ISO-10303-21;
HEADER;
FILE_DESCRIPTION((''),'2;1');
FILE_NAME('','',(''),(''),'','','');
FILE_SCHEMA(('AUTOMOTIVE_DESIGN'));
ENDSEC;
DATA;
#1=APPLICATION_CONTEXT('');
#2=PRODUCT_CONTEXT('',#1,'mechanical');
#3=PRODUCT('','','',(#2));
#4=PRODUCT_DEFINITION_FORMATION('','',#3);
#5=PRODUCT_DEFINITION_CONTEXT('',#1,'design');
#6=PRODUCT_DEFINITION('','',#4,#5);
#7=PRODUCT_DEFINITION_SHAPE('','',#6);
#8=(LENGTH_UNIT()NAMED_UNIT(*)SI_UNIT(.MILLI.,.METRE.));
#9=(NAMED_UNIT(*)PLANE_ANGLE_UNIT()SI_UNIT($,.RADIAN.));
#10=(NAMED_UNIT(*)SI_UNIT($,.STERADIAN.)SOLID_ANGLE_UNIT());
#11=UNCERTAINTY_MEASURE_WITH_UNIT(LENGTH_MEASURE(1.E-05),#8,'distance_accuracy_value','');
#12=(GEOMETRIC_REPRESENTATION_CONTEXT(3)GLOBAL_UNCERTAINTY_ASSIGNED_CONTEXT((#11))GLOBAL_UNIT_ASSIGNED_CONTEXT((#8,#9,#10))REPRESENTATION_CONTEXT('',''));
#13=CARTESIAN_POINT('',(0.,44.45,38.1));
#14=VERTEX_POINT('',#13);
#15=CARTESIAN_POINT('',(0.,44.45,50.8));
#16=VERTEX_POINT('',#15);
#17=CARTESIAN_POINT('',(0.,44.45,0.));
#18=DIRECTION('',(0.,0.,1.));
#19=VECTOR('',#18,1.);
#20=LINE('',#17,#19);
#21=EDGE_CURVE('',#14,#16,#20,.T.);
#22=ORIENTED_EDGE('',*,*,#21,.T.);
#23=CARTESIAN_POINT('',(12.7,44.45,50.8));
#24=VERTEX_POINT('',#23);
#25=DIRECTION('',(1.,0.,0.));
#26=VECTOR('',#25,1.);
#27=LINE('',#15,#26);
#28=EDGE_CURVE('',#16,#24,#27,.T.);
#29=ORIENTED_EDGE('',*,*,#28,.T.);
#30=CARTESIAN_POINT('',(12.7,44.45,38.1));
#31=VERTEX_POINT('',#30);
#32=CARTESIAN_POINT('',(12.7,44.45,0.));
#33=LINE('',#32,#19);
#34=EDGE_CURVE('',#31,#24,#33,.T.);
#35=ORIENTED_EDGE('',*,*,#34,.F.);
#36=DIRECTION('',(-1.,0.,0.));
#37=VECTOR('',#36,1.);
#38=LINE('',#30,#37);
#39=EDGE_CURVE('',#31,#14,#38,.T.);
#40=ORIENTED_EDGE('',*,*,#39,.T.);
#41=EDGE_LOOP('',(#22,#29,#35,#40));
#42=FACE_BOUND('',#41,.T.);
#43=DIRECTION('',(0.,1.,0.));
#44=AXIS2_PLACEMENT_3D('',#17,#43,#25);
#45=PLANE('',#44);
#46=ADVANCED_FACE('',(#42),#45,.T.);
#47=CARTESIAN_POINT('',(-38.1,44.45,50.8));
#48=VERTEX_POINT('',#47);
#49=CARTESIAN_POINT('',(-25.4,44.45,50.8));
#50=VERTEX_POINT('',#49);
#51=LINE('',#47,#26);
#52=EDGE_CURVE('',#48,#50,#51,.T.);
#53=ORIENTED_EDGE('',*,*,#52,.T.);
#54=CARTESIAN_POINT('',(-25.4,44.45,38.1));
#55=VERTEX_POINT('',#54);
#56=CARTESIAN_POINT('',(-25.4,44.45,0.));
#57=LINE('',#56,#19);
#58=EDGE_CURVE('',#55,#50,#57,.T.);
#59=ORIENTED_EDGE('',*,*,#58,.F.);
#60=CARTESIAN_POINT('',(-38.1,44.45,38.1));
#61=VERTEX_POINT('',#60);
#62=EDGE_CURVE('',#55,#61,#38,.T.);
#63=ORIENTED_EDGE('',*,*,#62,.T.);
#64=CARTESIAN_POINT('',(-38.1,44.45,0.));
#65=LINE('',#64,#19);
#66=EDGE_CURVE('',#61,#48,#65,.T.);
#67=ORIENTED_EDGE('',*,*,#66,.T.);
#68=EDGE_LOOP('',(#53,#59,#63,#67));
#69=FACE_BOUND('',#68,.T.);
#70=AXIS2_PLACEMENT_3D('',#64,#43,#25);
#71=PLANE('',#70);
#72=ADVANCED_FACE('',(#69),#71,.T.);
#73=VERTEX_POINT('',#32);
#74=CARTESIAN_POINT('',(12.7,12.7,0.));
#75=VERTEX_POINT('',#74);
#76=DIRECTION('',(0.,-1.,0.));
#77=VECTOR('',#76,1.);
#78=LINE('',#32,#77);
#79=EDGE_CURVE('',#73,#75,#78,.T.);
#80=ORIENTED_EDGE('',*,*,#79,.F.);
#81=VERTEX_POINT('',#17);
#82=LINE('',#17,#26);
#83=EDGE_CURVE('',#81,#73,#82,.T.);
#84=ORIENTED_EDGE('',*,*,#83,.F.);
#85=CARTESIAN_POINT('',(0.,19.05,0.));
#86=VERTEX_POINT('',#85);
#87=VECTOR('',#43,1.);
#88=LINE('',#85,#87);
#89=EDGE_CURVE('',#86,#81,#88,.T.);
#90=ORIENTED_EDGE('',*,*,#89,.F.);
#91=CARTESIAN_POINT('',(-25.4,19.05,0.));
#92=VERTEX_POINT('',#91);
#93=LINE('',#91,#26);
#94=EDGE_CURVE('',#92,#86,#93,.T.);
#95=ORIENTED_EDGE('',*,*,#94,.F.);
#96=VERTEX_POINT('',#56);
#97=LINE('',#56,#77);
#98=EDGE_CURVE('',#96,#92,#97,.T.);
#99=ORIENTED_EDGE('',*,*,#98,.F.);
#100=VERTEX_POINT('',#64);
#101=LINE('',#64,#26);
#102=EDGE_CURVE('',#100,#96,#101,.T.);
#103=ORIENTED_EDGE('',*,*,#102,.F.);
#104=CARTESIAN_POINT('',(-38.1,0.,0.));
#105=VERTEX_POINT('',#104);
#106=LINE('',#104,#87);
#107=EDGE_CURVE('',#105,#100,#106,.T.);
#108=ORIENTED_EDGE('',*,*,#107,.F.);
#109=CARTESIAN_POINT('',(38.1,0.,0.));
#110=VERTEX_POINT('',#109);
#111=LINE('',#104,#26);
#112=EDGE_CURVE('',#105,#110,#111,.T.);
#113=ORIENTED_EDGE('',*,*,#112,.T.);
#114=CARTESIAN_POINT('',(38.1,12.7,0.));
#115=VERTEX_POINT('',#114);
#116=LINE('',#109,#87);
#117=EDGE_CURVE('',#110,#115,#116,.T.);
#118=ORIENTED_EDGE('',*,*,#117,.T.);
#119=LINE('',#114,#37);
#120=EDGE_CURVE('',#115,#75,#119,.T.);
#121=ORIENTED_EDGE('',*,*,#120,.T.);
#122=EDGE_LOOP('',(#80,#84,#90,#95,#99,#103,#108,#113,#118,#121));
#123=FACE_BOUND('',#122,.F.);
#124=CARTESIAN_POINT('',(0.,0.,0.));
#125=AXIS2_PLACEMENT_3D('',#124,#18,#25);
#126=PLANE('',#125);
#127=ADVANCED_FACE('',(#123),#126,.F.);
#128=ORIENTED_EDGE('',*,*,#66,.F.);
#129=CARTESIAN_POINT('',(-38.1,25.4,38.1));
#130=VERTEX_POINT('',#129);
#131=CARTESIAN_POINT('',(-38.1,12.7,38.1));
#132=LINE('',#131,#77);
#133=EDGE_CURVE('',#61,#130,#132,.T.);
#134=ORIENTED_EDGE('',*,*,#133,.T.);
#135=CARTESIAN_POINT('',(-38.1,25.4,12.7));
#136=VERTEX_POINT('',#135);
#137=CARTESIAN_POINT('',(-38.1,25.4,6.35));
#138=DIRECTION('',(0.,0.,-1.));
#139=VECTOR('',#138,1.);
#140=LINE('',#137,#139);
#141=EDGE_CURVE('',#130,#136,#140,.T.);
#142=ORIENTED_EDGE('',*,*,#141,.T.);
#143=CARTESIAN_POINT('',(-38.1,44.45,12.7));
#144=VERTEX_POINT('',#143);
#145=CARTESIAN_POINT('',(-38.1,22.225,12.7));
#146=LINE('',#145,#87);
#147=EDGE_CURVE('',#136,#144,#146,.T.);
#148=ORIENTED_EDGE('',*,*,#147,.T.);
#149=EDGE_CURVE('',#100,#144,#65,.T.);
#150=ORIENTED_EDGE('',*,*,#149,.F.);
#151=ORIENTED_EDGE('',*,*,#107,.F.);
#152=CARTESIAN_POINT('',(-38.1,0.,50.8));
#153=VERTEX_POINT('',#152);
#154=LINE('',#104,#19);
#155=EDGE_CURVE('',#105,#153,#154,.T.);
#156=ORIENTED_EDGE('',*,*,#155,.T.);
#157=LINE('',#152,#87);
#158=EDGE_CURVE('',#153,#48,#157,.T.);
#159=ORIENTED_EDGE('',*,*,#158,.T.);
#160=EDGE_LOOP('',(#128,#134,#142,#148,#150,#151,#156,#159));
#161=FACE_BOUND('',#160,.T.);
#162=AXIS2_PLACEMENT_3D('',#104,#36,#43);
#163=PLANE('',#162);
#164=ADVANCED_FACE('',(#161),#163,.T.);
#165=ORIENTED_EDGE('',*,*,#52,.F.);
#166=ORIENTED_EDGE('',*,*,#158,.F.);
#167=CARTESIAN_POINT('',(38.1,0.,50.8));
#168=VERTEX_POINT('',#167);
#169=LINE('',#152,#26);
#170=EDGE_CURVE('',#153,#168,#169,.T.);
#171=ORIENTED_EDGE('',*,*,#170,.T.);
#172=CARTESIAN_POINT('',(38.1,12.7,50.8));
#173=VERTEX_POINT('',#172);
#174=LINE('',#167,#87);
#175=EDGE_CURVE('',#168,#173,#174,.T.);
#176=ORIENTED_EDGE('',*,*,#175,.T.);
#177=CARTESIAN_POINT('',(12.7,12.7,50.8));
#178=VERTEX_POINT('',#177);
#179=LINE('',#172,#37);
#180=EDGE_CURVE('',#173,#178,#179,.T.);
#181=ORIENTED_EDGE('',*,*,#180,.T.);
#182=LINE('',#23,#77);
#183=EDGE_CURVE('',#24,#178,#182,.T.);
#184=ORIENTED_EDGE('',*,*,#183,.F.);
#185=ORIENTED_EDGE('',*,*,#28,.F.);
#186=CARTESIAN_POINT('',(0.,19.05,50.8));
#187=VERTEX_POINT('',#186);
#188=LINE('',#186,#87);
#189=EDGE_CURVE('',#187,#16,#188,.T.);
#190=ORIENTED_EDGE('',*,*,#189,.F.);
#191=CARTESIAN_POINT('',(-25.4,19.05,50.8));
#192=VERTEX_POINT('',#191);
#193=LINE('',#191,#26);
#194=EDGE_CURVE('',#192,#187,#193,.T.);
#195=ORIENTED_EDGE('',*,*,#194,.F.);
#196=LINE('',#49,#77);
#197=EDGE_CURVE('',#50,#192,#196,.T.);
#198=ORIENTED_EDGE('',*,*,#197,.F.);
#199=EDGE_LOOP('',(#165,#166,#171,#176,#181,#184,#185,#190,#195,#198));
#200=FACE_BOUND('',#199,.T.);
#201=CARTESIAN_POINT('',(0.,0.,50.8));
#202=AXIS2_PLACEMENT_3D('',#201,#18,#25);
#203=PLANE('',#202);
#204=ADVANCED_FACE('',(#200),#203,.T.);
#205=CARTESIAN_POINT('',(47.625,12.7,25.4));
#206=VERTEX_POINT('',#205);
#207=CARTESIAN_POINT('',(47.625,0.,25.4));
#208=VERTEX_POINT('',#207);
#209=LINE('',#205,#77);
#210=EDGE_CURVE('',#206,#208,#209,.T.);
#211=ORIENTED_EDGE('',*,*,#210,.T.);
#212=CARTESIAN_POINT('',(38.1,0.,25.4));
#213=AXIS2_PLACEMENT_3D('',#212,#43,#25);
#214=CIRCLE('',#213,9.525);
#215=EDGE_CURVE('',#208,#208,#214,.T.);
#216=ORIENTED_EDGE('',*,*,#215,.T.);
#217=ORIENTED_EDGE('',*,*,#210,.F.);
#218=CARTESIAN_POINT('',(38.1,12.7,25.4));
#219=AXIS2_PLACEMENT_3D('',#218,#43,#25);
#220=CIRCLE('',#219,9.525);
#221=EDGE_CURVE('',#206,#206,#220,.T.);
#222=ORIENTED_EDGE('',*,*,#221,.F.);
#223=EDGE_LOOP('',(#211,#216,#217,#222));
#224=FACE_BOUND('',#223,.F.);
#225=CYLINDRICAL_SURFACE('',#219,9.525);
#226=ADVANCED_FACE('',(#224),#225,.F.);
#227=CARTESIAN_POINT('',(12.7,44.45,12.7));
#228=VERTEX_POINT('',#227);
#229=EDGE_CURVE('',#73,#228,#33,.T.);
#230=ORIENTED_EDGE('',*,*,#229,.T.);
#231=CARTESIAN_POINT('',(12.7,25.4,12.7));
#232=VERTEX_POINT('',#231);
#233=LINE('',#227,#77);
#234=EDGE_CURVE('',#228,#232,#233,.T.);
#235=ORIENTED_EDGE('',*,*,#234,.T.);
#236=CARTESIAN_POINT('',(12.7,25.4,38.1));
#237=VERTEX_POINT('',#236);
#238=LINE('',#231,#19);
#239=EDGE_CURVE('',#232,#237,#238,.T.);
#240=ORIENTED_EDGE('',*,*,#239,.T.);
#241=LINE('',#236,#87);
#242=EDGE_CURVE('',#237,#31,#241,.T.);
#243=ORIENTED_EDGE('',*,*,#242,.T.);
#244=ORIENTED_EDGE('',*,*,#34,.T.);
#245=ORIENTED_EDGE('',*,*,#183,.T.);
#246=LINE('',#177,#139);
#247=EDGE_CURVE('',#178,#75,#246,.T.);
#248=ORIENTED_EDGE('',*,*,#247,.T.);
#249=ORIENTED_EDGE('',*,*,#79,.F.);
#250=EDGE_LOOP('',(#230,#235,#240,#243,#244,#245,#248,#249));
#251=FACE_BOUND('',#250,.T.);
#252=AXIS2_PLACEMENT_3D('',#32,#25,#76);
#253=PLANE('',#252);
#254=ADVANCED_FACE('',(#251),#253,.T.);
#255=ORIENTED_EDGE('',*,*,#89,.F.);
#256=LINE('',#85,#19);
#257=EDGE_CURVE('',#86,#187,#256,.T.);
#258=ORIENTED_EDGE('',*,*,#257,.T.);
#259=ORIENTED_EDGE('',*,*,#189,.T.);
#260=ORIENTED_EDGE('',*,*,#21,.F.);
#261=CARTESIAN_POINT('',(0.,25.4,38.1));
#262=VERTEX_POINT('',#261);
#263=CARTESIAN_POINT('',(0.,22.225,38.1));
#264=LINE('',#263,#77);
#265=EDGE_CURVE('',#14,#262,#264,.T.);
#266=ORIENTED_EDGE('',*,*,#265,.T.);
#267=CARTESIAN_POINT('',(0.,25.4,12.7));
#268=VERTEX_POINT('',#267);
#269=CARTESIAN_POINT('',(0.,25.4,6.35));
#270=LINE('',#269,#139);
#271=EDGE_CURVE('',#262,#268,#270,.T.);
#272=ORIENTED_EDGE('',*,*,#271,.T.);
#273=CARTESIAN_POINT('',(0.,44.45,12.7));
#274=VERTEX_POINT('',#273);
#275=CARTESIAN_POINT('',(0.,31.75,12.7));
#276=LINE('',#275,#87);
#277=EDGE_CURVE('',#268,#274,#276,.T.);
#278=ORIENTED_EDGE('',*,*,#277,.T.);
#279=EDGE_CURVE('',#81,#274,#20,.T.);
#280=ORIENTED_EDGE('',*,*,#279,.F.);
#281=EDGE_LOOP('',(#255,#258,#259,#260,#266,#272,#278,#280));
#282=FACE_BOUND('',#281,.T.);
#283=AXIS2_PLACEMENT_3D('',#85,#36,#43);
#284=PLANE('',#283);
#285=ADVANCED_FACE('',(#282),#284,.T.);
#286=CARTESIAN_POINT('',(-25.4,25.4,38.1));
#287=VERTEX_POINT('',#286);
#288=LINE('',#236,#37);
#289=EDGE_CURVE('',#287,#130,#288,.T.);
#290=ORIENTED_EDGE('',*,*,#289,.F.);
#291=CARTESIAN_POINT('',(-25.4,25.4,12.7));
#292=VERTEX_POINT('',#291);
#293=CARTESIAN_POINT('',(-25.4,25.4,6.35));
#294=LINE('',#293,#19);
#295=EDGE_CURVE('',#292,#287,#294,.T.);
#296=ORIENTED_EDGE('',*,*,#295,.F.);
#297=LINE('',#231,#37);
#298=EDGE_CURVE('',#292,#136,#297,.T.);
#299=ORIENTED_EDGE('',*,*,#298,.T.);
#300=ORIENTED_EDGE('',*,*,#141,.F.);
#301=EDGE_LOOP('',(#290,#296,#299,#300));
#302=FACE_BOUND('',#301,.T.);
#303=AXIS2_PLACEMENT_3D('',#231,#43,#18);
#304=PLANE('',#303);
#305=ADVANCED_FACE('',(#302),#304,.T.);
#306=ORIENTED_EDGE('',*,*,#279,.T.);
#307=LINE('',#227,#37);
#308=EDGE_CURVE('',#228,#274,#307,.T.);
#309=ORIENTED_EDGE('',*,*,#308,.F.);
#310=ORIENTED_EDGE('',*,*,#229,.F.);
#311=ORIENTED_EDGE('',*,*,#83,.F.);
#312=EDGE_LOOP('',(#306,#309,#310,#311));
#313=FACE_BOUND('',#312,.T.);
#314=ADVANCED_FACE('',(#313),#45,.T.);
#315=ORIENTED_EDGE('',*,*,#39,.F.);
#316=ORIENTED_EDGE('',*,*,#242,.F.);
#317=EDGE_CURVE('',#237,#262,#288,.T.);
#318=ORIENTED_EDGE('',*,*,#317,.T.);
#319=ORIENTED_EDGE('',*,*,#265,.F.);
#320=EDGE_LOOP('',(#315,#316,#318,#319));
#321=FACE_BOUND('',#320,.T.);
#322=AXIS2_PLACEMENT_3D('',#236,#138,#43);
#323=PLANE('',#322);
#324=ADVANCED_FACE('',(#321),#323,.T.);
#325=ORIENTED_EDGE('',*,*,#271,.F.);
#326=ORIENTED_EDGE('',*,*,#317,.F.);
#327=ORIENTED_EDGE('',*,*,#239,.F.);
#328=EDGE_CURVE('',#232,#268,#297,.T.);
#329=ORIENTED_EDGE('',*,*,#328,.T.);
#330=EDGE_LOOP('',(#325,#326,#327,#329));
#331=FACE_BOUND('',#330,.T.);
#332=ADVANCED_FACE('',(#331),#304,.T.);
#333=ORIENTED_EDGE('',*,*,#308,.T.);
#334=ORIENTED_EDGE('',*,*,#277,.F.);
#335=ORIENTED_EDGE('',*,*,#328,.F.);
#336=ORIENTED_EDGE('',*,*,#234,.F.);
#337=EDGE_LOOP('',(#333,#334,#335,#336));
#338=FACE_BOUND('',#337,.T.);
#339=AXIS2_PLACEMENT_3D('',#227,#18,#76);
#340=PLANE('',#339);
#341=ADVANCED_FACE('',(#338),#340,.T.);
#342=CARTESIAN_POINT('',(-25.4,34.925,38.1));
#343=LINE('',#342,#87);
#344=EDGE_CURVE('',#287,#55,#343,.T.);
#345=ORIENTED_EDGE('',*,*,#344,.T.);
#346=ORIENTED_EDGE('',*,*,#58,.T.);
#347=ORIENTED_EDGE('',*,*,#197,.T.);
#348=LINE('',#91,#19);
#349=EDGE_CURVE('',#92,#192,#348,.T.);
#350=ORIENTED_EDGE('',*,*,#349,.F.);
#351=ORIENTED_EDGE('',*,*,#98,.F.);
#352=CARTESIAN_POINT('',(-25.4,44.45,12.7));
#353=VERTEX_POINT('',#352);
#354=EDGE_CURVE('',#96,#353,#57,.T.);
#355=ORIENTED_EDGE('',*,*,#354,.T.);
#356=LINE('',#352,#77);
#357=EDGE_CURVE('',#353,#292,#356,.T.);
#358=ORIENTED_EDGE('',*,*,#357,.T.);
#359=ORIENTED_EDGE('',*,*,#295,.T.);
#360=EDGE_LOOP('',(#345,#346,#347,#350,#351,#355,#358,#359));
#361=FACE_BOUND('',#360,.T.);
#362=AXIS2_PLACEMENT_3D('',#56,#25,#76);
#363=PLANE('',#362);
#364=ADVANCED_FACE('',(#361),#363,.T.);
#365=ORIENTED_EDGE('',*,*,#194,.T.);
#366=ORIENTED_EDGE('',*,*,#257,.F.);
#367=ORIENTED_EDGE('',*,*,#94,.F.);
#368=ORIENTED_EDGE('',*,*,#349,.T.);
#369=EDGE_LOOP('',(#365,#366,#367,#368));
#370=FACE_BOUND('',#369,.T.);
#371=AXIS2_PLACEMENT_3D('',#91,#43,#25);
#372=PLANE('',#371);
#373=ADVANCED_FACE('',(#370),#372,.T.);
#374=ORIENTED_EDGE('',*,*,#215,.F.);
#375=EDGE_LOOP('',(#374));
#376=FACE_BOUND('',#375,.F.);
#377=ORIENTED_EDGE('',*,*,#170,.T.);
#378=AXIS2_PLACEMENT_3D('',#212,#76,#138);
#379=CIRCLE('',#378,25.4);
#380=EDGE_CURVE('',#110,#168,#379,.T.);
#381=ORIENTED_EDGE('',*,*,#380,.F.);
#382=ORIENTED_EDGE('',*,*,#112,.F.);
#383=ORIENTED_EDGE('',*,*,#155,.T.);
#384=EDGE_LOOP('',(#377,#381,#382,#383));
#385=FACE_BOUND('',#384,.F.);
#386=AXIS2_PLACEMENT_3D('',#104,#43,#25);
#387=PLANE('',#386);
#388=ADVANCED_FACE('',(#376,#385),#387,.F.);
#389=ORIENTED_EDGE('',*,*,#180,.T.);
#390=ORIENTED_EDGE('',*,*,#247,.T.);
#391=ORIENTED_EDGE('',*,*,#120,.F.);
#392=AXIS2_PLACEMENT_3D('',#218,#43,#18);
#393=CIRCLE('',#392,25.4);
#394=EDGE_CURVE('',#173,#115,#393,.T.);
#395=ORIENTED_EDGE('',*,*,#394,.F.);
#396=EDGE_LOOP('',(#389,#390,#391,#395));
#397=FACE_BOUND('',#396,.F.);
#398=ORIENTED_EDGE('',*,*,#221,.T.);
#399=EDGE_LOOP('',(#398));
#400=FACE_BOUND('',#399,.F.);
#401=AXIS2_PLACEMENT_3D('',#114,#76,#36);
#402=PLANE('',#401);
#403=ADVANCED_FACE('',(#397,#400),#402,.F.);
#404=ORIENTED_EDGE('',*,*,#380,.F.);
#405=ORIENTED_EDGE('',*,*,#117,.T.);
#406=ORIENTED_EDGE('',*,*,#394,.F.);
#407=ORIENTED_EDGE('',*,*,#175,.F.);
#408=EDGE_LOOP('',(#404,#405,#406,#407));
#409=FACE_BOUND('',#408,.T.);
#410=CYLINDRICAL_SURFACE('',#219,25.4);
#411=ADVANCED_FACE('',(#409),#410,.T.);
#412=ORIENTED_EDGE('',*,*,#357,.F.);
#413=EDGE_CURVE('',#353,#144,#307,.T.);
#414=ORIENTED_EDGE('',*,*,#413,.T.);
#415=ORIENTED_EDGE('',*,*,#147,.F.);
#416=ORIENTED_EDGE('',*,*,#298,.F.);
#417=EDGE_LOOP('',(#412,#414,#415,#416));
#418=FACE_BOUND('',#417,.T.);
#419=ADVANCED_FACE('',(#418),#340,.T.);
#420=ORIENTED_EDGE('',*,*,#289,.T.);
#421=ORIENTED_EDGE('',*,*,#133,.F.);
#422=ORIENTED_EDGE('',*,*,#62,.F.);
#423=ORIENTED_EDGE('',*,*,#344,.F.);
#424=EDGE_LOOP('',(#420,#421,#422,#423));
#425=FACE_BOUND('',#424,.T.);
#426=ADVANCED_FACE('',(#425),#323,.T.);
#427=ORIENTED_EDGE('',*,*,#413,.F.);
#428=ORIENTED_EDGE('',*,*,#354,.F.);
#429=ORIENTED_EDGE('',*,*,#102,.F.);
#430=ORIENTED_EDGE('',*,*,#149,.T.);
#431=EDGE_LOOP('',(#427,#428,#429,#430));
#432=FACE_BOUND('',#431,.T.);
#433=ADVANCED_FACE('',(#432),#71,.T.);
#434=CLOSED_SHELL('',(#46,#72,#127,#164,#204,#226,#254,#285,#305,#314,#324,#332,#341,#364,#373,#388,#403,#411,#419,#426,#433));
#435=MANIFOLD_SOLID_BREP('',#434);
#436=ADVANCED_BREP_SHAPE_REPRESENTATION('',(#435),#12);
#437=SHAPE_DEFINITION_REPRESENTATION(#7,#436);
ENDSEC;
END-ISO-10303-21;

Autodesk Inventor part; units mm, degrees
ref_plane "YZ Plane" through (0, 0, 0) normal (1, 0, 0) x (0, 1, 0)
ref_plane "XZ Plane" through (0, 0, 0) normal (0, 1, 0) x (-1, 0, 0)
ref_plane "XY Plane" through (0, 0, 0) normal (0, 0, 1) x (1, 0, 0)
sketch "SIDE PROFILE" plane through (0, 0, 0) normal (0, 0, 1) x (1, 0, 0)
  line L0 (-38.1, 0) -> (38.1, 0)
  line L1 (-38.1, 0) -> (-38.1, 44.45)
  line L2 (-38.1, 44.45) -> (-25.4, 44.45)
  line L3 (-25.4, 44.45) -> (-25.4, 19.05)
  line L4 (-25.4, 19.05) -> (0, 19.05)
  line L5 (0, 19.05) -> (0, 44.45)
  line L6 (0, 44.45) -> (12.7, 44.45)
  line L7 (12.7, 44.45) -> (12.7, 12.7)
  line L8 (38.1, 0) -> (38.1, 12.7)
  line L9 (38.1, 12.7) -> (12.7, 12.7)
  point P0 (0, 0)
  dimension "d0" = 76.2
  dimension "d1" = 38.1
  dimension "d2" = 44.45
  dimension "d3" = 12.7
  dimension "d4" = 25.4
  dimension "d5" = 25.4
  dimension "d6" = 25.4
  dimension "d7" = 12.7
  dimension "d8" = 31.75
  dimension "d21" = 25.4
  dimension "d22" = 38.1
extrude "SIDE PROFILE EXTRUSION" add sketch "SIDE PROFILE" along normal blind 50.8
sketch "SEMICIRCLE" plane through (12.7, 12.7, 0) normal (0, 1, 0) x (1, 0, 0)
  line L0 (25.4, 0) -> (25.4, -50.8) projected
  line L1 (25.4, -50.8) -> (0, -50.8) projected
  circle A0 centre (25.4, -25.4) radius 25.4
  point P0 (-12.7, 0)
extrude "FRONT ROUNDING" add sketch "SEMICIRCLE" against normal blind 12.7
sketch "CIRCLE" plane through (12.7, 12.7, 50.8) normal (0, 1, 0) x (1, 0, 0)
  arc A0 (25.4, 0) -> (25.4, 50.8) centre (25.4, 25.4) ccw projected
  circle A1 centre (25.4, 25.4) radius 9.525
  point P0 (-12.7, 50.8)
  dimension "d13" = 19.05
extrude "HOLE CUTOUT" cut sketch "CIRCLE" against normal blind 12.7
sketch "RECTANGLE" plane through (12.7, 12.7, 0) normal (1, 0, 0) x (0, 0, -1)
  line L0 (0, 31.75) -> (-50.8, 31.75) projected
  line L1 (-38.1, 31.75) -> (-12.7, 31.75)
  line L2 (-12.7, 31.75) -> (-12.7, 12.7)
  line L3 (-12.7, 12.7) -> (-38.1, 12.7)
  line L4 (-38.1, 12.7) -> (-38.1, 31.75)
  line L5 (0, 0) -> (0, 31.75) projected
  point P0 (0, -12.7)
  point P1 (-25.4, 31.75)
  dimension "d16" = 25.4
  dimension "d17" = 19.05
  dimension "d18" = 12.7
extrude "RECTANGULAR CUTOUT" cut sketch "RECTANGLE" against normal through all
properties part number "ASN4-TUT-BK" material "Copper, Cast"
